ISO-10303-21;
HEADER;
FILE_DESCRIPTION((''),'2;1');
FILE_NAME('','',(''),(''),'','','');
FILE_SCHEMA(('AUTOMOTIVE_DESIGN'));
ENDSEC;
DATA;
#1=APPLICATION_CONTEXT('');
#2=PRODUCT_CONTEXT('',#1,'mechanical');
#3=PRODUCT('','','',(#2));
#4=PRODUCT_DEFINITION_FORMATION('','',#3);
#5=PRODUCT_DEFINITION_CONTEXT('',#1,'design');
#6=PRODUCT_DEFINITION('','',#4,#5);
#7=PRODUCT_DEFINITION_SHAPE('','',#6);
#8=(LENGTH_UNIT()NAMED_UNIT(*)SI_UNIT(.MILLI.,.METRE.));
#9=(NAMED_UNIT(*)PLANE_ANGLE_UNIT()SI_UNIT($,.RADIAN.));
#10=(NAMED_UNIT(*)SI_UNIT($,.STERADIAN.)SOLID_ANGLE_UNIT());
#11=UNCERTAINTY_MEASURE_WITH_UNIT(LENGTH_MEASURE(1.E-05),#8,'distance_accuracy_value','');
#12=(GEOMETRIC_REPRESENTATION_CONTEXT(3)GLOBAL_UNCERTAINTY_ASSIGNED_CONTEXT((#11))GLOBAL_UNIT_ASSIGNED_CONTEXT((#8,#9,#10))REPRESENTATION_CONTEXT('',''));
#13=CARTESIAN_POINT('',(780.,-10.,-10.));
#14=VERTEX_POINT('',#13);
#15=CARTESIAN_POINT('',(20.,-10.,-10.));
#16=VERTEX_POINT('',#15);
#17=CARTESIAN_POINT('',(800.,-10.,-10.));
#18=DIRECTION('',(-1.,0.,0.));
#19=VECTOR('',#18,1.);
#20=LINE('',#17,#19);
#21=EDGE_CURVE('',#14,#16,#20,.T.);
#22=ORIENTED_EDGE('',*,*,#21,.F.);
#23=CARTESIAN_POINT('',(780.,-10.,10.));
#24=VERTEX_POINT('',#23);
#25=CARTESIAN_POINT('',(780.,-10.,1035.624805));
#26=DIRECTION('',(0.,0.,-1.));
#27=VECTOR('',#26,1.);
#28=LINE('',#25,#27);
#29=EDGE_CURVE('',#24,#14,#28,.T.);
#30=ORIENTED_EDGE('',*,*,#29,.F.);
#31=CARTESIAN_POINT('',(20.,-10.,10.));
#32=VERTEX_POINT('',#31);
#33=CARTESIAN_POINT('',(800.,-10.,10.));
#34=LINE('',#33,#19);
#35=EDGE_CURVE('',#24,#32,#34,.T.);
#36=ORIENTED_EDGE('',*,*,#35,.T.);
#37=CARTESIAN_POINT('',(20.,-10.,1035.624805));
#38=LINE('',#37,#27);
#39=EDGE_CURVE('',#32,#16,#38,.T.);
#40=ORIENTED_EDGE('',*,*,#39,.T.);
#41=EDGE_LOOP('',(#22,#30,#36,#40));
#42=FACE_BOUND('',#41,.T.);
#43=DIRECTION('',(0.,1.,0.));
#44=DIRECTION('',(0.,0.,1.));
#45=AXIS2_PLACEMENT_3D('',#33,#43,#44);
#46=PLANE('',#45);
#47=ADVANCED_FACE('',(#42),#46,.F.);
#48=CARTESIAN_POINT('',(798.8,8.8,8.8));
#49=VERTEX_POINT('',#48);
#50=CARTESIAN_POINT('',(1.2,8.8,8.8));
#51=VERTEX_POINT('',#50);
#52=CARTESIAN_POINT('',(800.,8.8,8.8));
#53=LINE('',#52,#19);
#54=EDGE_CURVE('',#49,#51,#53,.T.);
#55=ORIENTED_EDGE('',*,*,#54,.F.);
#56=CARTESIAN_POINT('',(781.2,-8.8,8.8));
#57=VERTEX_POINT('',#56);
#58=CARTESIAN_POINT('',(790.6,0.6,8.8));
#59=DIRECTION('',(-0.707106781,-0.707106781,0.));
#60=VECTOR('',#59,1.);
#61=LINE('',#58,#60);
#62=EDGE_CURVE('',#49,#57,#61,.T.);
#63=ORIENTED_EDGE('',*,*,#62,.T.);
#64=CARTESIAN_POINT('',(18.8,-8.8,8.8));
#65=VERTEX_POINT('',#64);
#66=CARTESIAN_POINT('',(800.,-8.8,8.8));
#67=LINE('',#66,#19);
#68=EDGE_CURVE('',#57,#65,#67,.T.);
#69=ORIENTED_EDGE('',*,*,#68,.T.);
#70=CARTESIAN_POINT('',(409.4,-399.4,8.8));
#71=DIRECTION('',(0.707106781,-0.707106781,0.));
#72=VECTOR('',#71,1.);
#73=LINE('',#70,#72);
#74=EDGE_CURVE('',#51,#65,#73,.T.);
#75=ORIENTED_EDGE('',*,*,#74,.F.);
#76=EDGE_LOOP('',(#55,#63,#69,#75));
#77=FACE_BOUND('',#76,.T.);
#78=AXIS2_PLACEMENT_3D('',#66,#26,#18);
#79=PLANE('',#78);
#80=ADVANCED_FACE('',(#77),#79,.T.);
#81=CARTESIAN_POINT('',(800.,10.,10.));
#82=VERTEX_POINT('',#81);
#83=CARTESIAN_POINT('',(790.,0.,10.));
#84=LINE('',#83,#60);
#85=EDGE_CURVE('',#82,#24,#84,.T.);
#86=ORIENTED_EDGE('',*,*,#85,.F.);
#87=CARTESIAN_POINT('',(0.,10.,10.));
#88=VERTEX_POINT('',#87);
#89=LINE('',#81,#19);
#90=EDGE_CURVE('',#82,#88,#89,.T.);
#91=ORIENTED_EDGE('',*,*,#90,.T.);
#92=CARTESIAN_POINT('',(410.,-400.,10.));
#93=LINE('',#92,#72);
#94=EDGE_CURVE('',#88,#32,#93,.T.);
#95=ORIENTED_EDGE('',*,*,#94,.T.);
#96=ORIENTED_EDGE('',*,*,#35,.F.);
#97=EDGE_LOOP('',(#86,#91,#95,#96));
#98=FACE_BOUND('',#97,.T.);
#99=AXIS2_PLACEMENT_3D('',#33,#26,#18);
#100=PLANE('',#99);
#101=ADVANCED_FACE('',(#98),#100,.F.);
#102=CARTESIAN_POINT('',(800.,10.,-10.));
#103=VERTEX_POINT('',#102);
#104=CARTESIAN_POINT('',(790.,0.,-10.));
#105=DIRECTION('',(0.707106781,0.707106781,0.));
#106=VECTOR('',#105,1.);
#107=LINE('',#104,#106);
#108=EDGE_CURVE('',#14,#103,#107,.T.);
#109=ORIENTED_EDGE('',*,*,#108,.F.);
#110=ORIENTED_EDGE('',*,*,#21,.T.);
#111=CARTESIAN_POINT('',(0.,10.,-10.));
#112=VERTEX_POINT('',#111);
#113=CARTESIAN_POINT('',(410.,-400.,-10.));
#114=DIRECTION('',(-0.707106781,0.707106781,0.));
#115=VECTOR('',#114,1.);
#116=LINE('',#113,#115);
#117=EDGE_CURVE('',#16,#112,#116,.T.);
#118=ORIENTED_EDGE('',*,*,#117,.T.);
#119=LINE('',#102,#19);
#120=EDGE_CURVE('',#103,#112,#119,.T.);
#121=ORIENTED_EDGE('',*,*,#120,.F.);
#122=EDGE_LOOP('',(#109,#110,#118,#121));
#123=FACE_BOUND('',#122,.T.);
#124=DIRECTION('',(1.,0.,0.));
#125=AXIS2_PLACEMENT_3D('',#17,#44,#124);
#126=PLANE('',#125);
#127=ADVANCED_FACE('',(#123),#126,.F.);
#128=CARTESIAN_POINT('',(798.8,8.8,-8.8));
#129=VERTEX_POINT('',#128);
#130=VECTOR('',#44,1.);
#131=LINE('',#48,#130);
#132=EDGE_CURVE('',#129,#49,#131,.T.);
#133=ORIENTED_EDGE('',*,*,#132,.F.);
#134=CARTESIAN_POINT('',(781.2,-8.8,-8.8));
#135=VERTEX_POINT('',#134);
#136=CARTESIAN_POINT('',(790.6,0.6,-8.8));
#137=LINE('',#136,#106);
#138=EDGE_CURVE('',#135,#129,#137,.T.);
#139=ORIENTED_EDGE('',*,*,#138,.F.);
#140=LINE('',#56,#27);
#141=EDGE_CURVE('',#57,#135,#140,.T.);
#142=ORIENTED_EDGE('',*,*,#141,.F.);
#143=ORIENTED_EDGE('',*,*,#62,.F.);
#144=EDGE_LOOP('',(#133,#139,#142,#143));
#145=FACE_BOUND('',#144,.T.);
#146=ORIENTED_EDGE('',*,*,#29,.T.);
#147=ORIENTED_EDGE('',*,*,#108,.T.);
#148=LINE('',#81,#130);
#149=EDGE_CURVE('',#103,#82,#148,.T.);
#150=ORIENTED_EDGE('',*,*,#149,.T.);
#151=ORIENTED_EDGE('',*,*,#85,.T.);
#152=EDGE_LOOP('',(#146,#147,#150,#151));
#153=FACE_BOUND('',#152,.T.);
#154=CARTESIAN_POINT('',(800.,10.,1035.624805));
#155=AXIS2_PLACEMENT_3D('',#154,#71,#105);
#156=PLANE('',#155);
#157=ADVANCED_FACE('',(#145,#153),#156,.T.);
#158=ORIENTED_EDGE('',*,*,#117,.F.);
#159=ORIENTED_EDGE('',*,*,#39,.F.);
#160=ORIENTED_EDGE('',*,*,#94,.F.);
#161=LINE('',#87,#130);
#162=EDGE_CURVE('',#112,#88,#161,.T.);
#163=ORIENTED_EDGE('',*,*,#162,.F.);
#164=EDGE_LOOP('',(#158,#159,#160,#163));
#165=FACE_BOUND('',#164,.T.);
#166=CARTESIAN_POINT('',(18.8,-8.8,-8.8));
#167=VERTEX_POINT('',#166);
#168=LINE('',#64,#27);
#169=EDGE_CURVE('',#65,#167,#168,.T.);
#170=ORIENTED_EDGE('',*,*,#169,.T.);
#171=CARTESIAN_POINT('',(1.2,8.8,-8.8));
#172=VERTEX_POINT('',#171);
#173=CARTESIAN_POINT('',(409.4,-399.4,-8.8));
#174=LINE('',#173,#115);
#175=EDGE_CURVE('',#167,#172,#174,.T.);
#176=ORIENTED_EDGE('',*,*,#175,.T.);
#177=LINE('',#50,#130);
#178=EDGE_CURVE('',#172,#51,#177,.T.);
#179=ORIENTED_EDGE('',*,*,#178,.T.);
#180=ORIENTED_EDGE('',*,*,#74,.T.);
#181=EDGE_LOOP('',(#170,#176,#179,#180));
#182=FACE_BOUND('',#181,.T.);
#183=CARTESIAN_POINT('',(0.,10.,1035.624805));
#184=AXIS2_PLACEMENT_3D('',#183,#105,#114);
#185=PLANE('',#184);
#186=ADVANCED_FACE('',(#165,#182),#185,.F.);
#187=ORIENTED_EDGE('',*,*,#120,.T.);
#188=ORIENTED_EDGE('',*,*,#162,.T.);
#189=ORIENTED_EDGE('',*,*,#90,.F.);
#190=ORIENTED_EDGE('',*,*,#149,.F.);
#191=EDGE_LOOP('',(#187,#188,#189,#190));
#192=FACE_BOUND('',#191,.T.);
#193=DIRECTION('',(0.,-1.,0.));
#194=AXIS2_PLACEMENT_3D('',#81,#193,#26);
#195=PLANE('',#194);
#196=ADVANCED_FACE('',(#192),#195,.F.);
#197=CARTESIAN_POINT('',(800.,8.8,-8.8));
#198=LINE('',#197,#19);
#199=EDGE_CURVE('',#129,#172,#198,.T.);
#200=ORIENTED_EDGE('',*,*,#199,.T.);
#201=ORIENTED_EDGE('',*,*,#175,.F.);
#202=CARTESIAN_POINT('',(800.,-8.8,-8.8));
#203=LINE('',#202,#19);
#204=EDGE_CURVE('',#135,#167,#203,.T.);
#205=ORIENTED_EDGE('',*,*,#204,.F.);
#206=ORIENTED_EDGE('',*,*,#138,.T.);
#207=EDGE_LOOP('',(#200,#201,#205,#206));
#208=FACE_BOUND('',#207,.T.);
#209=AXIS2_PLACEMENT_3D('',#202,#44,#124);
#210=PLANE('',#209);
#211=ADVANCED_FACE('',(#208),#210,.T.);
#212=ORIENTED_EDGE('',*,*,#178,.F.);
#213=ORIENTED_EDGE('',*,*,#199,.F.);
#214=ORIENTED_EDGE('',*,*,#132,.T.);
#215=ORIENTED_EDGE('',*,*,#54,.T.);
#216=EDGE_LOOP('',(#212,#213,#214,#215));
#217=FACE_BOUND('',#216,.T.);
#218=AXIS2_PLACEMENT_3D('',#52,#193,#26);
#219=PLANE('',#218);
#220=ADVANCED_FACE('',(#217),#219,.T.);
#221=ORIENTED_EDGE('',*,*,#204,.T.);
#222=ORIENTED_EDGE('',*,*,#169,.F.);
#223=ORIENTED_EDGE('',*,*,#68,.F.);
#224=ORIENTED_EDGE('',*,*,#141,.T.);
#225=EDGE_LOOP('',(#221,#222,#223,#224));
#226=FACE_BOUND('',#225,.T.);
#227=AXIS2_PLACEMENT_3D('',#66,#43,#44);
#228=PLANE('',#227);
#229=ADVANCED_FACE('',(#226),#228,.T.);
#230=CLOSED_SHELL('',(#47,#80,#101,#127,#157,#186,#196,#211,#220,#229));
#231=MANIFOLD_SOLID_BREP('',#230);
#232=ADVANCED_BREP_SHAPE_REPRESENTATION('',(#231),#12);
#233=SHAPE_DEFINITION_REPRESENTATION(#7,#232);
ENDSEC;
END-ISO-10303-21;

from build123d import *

# Parameters (mm, degrees)
SKETCH1_W               = 20
SKETCH1_H               = 20
SKETCH1_W_2             = 17.6
SKETCH1_H_2             = 17.6
BOSS_EXTRUDE1_DEPTH     = 800
CUT_EXTRUDE1_DEPTH      = 1
CUT_EXTRUDE1_DEPTH_BACK = 21
CUT_EXTRUDE2_DEPTH      = 1
CUT_EXTRUDE2_DEPTH_BACK = 21


with BuildPart() as part:
    # Sketch1 → Boss-Extrude1 (new body)
    with BuildSketch(Plane(origin=(0, 0, 0), x_dir=(0, 0, -1), z_dir=(1, 0, 0))):
        Rectangle(SKETCH1_W, SKETCH1_H)
        Rectangle(SKETCH1_W_2, SKETCH1_H_2, mode=Mode.SUBTRACT)
    extrude(amount=BOSS_EXTRUDE1_DEPTH)

    # Sketch2 → Cut-Extrude1 (cut, two sides)
    with BuildSketch(Plane.XY.offset(10)) as cut_extrude1_sk:
        Polygon((-1138.795415875, 1148.795415875), (0, 10), (20, -10), (1158.795415875, -1148.795415875), (-1118.795415875, -3426.386247626), (-3416.386247626, -1128.795415876), align=None)
    extrude(amount=CUT_EXTRUDE1_DEPTH, mode=Mode.SUBTRACT)
    extrude(cut_extrude1_sk.sketch, amount=-CUT_EXTRUDE1_DEPTH_BACK, mode=Mode.SUBTRACT)

    # Sketch3 → Cut-Extrude2 (cut, two sides)
    with BuildSketch(Plane.XY.offset(10)) as cut_extrude2_sk:
        Polygon((1938.795415875, 1148.795415875), (800, 10), (780, -10), (-358.795415875, -1148.795415875), (1918.795415876, -3426.386247626), (4216.386247626, -1128.795415875), align=None)
    extrude(amount=CUT_EXTRUDE2_DEPTH, mode=Mode.SUBTRACT)
    extrude(cut_extrude2_sk.sketch, amount=-CUT_EXTRUDE2_DEPTH_BACK, mode=Mode.SUBTRACT)


solid = part.part
